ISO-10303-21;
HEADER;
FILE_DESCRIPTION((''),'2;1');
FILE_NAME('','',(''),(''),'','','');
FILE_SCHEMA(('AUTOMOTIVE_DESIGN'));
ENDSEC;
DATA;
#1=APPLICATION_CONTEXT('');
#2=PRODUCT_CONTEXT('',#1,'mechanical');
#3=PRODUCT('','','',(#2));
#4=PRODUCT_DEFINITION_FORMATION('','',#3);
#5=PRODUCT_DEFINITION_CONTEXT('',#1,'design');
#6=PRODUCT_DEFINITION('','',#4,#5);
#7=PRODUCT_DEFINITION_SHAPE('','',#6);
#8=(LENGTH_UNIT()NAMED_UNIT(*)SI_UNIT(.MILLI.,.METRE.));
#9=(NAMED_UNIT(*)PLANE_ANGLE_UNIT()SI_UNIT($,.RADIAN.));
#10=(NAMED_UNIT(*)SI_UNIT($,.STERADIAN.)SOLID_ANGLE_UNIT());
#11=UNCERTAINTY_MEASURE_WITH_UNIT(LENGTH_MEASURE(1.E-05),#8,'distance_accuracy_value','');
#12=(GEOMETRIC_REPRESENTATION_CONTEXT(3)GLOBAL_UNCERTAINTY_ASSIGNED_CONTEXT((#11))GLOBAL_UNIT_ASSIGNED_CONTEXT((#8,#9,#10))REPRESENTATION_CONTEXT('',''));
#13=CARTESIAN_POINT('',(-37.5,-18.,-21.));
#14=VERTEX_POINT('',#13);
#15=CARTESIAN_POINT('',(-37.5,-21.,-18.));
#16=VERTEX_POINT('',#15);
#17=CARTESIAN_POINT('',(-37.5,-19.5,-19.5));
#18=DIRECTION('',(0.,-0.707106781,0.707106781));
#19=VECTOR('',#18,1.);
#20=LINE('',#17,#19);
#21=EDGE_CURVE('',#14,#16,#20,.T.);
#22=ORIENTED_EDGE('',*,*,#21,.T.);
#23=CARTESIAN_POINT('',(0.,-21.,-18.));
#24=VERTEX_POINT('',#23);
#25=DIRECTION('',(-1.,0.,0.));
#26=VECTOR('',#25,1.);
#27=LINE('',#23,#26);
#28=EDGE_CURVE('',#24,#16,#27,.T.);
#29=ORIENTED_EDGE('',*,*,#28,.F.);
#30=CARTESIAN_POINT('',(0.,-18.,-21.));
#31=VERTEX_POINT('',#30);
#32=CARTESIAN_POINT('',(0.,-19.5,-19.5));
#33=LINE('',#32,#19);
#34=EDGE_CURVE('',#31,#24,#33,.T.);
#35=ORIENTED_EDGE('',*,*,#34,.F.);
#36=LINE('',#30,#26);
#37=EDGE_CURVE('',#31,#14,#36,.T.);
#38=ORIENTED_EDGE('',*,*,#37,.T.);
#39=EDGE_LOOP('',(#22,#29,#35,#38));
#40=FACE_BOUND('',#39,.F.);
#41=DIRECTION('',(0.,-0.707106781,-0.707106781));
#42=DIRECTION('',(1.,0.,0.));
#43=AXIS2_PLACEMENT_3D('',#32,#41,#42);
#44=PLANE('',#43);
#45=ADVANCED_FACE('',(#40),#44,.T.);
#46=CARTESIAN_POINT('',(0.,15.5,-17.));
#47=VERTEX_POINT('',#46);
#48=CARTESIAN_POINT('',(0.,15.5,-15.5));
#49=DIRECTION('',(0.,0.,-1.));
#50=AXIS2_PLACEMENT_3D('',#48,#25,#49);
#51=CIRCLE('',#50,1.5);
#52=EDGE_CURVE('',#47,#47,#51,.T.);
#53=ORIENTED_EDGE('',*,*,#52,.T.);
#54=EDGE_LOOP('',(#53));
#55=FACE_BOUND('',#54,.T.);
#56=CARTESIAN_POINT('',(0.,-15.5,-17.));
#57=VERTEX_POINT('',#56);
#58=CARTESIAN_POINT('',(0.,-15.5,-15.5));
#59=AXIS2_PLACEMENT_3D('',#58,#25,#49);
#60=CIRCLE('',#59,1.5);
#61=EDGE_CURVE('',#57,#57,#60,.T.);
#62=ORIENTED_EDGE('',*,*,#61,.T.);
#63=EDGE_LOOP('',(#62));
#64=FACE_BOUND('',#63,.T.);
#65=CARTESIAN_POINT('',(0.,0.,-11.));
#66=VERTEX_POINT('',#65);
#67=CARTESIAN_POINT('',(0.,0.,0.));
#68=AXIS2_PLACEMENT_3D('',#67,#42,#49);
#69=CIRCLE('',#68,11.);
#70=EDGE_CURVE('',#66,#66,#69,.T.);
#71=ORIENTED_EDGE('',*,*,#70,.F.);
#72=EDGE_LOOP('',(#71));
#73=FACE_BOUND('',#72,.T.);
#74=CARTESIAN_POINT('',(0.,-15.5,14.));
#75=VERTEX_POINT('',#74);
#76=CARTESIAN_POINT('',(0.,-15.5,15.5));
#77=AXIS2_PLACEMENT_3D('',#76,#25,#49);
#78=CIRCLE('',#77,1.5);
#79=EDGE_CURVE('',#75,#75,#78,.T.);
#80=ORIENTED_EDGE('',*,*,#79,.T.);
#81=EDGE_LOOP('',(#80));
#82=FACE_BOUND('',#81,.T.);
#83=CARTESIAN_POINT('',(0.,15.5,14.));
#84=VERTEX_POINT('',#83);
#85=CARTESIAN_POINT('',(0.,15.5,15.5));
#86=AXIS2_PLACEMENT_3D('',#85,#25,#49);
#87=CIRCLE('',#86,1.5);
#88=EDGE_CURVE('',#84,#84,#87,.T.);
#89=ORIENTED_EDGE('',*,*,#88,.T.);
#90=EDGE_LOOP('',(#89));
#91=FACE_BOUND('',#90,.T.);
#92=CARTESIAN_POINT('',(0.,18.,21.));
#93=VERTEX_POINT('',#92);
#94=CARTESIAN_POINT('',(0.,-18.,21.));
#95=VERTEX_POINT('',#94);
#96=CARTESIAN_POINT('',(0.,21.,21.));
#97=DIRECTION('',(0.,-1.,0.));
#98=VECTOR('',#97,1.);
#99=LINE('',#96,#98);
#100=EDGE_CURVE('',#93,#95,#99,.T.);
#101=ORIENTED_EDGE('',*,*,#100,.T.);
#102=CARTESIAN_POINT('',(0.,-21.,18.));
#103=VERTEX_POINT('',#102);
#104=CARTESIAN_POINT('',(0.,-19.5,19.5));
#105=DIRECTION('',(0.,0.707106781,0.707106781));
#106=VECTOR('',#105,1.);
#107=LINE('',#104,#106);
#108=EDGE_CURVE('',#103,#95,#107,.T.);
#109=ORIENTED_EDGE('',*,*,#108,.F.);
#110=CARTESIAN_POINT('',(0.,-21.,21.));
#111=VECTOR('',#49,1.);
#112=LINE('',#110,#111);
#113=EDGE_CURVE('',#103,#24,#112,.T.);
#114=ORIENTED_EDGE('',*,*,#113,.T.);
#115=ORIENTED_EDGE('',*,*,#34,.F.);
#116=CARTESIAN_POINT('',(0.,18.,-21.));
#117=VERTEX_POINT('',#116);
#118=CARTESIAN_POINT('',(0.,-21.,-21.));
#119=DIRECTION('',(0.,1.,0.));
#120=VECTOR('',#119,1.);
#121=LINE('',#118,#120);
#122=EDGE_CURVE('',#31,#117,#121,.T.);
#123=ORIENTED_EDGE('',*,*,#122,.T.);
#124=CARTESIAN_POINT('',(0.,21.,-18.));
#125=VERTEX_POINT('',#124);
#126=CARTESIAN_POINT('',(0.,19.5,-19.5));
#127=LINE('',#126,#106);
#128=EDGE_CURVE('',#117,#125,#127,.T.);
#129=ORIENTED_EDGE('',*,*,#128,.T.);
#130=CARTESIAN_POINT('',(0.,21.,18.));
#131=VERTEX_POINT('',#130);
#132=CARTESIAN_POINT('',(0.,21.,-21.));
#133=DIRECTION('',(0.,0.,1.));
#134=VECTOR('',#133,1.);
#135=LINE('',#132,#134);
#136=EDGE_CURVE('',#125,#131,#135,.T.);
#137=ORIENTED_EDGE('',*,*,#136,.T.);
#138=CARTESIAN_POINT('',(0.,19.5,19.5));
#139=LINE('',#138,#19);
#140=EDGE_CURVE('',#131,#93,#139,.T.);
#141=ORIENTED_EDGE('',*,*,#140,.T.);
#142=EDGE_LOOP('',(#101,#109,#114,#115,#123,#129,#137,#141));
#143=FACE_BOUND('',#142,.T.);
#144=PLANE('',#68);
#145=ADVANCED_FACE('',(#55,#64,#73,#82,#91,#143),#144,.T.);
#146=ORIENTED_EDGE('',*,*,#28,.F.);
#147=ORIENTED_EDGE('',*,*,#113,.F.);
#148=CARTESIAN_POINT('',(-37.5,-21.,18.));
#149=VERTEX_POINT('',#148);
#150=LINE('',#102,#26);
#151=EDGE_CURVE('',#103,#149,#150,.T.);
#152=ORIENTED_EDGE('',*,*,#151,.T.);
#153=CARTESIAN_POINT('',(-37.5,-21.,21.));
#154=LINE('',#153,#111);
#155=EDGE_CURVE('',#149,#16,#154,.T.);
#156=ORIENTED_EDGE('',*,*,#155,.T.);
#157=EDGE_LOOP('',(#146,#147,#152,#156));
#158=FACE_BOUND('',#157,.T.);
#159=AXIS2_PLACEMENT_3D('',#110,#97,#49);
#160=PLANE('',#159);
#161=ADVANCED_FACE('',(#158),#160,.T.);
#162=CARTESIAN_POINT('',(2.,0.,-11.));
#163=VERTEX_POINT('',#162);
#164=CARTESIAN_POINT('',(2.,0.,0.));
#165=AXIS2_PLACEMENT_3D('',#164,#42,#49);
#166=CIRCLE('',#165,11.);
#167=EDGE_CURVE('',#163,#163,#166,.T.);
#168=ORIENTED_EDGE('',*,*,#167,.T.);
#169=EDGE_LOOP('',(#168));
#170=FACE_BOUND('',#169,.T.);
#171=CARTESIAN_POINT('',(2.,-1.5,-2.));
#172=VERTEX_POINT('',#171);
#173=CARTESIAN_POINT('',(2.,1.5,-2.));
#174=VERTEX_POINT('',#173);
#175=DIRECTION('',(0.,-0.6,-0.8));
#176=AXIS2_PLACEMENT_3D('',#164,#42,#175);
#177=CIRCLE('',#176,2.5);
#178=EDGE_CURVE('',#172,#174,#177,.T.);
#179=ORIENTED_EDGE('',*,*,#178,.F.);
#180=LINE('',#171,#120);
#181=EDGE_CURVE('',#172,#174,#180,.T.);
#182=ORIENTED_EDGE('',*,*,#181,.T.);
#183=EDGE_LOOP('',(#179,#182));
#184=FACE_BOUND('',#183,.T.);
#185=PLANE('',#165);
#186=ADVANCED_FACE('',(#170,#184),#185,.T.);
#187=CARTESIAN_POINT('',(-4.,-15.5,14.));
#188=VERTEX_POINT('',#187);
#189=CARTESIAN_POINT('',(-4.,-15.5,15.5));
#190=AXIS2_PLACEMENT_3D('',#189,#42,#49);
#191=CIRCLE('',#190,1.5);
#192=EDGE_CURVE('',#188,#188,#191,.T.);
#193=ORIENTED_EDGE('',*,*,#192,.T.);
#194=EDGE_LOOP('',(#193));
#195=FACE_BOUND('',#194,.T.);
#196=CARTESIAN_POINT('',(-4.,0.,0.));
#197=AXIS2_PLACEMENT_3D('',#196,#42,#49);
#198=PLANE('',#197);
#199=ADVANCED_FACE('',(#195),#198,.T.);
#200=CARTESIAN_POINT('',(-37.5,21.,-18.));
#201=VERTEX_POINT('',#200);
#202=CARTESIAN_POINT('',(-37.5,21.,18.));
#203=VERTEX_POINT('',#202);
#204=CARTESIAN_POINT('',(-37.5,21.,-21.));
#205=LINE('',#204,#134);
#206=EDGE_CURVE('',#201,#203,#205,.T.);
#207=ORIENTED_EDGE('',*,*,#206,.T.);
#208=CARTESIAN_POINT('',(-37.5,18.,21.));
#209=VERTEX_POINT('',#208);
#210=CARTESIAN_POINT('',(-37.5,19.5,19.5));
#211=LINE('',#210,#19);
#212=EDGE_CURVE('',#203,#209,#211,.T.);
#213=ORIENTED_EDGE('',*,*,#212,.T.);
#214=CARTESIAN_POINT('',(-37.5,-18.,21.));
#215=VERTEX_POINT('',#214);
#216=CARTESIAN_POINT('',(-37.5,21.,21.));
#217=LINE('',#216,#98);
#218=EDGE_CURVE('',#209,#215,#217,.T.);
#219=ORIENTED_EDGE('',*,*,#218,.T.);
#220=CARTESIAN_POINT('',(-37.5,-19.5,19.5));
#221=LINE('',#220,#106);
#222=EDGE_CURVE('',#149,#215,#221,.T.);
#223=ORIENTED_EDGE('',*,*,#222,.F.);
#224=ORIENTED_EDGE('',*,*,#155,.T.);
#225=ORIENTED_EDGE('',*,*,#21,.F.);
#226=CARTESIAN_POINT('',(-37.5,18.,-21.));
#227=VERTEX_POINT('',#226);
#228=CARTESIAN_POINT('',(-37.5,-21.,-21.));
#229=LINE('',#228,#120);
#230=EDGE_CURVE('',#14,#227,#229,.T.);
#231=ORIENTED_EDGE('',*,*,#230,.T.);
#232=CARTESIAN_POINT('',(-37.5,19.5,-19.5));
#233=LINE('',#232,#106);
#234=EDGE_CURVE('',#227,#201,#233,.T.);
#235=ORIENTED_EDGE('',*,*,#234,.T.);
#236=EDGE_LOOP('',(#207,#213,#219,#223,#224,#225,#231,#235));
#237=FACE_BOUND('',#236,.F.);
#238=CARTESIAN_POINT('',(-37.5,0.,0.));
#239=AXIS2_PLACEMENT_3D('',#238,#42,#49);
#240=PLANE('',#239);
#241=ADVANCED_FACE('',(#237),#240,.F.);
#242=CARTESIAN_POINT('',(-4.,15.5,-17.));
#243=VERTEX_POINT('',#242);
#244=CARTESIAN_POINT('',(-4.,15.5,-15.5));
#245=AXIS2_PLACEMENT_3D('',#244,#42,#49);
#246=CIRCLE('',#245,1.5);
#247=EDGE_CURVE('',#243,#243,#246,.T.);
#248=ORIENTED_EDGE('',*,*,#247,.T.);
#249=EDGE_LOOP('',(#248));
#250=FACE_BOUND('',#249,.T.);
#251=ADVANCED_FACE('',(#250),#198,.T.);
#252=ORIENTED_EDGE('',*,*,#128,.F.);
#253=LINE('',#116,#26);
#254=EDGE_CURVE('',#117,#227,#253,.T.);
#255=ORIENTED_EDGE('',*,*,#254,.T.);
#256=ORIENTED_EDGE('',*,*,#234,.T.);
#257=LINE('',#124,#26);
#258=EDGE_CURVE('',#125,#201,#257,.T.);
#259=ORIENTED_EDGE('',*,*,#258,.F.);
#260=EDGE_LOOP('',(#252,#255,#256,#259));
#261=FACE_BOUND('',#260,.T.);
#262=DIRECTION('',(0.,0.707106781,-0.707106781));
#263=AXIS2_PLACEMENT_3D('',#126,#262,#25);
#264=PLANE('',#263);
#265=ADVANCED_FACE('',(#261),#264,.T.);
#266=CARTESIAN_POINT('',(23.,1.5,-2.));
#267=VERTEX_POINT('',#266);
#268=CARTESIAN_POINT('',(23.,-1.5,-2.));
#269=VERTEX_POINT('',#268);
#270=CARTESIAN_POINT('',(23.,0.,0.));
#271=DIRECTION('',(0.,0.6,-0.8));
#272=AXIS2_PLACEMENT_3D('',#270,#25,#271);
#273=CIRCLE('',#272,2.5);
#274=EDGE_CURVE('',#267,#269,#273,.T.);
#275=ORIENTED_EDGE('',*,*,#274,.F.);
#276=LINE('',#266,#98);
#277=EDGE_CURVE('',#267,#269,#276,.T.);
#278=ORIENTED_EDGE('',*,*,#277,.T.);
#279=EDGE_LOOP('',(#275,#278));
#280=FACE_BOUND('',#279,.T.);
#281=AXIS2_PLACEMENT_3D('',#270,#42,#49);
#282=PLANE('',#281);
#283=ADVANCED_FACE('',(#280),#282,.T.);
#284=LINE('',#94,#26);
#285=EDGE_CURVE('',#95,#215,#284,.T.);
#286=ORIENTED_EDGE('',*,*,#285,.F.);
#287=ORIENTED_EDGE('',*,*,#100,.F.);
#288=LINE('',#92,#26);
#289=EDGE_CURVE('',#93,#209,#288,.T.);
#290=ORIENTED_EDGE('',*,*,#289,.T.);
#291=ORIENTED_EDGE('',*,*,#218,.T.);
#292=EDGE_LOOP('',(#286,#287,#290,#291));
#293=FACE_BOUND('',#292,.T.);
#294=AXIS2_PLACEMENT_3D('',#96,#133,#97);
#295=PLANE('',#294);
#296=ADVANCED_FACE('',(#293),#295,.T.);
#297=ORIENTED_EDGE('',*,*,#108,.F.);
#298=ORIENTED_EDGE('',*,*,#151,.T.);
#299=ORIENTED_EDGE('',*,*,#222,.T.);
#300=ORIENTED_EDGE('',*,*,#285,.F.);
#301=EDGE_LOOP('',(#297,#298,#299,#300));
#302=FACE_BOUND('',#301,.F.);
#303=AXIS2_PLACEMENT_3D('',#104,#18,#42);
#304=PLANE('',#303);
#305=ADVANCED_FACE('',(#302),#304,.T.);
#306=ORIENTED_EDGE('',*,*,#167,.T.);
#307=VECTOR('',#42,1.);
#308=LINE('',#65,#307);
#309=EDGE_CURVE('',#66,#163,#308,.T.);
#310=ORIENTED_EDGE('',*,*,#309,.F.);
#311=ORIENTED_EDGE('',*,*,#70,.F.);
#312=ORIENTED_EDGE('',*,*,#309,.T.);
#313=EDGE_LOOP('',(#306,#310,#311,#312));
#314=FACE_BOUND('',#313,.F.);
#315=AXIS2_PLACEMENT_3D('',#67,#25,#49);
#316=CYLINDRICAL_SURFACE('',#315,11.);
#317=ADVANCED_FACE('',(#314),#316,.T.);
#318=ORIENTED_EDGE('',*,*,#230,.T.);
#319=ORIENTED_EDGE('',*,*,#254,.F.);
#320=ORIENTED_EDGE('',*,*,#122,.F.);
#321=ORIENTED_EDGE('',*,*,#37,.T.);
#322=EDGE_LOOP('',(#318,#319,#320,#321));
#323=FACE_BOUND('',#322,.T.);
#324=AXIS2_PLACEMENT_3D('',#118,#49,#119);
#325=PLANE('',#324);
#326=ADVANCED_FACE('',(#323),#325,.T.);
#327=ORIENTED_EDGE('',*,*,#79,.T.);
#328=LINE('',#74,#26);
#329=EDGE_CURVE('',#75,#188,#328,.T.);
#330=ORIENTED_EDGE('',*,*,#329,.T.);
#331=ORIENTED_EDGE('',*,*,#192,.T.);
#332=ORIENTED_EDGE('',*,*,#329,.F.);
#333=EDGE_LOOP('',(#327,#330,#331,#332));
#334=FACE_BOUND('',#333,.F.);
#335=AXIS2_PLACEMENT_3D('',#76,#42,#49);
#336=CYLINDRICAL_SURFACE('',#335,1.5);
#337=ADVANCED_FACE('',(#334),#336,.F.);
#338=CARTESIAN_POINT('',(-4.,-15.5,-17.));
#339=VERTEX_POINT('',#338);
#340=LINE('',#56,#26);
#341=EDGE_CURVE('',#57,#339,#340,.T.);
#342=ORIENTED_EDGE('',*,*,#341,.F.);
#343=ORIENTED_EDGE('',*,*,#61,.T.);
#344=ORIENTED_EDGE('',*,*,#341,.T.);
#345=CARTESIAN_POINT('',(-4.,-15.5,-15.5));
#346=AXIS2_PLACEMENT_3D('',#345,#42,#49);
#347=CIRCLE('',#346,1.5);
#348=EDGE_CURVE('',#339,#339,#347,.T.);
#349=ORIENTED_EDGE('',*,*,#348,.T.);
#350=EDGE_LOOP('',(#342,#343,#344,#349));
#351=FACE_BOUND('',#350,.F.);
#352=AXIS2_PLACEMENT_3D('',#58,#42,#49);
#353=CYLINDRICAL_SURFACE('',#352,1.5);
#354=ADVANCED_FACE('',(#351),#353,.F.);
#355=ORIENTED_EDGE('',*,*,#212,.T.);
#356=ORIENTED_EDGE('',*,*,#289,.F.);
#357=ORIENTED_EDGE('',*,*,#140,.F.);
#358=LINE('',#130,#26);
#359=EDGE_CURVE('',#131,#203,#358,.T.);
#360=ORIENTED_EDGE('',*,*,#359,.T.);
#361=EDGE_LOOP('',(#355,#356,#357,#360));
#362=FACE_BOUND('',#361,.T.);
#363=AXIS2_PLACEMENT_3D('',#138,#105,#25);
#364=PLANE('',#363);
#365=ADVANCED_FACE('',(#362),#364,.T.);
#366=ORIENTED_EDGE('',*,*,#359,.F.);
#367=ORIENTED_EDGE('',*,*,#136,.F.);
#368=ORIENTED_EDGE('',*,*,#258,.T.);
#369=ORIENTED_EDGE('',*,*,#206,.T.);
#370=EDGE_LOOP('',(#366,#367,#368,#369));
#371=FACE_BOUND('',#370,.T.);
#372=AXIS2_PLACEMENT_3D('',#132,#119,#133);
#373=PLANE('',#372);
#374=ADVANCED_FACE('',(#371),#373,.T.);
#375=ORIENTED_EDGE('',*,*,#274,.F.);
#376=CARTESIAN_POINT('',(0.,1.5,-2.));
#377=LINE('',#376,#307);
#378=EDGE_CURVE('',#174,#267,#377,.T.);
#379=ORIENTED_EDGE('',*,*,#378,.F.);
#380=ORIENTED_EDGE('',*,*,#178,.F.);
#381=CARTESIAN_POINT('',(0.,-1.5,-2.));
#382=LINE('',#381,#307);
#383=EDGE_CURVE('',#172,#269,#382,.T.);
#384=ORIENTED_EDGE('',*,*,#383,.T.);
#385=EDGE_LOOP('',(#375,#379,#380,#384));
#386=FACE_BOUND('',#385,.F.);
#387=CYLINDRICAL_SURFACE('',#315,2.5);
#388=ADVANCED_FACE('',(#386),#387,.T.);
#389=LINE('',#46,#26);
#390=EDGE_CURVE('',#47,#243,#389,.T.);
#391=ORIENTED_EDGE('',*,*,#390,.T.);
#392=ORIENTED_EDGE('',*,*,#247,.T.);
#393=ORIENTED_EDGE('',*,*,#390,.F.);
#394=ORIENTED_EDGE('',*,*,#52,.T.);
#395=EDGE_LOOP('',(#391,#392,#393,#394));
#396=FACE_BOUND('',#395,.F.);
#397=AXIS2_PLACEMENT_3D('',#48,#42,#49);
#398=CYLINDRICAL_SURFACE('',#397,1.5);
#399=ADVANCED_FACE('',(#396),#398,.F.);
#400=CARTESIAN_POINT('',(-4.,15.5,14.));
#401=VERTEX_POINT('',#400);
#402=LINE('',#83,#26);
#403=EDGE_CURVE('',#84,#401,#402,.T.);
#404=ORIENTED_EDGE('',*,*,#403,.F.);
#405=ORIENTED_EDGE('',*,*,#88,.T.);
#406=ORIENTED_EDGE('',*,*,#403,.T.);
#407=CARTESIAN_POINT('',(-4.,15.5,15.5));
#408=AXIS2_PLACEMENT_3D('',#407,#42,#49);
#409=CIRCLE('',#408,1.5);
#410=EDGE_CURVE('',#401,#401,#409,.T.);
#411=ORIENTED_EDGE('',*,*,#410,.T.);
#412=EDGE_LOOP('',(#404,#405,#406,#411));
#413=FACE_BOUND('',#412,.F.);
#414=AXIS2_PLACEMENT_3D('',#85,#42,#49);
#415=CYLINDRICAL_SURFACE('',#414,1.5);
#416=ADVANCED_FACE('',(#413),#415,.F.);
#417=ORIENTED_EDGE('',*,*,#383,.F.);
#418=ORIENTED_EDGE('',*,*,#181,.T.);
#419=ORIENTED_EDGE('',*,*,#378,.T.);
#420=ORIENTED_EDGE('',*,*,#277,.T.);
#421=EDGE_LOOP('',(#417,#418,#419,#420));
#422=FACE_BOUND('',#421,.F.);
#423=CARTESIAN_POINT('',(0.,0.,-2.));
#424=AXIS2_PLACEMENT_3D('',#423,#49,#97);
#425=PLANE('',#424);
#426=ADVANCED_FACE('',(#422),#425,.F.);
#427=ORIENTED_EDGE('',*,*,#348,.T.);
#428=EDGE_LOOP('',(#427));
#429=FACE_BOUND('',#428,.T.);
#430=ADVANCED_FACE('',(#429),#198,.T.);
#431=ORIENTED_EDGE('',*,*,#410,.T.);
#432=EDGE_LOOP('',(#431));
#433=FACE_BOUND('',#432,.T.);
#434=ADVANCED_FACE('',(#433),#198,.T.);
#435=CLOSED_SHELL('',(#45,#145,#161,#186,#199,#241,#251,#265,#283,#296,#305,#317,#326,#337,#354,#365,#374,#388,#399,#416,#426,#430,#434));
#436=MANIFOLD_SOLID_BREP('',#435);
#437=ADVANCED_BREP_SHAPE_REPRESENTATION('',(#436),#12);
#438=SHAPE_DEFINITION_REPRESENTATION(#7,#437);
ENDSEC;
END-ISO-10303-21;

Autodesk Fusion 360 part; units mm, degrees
sketch "Skizze1" plane through (0, 0, 0) normal (1, 0, 0) x (0, 0, -1)
  line L0 (21, 21) -> (-21, 21)
  line L1 (-21, 21) -> (-21, -21)
  line L2 (-21, -21) -> (21, -21)
  line L3 (21, -21) -> (21, 21)
  line L4 (21, 21) -> (-21, -21) construction
  line L5 (-21, 21) -> (21, -21) construction
  line L6 (15.5, -15.5) -> (-15.5, -15.5)
  line L7 (-15.5, -15.5) -> (-15.5, 15.5)
  line L8 (-15.5, 15.5) -> (15.5, 15.5)
  line L9 (15.5, 15.5) -> (15.5, -15.5)
  line L10 (15.5, -15.5) -> (-15.5, 15.5) construction
  line L11 (-15.5, -15.5) -> (15.5, 15.5) construction
  circle A0 centre (15.5, -15.5) radius 1.5
  circle A1 centre (-15.5, -15.5) radius 1.5
  circle A2 centre (-15.5, 15.5) radius 1.5
  circle A3 centre (15.5, 15.5) radius 1.5
  circle A4 centre (0, 0) radius 11
  circle A5 centre (0, 0) radius 2.5
  line L12 (0, 0) -> (2, 0)
  line L13 (2, 0) -> (2, 1.5)
  line L14 (2, 0) -> (2, -1.5)
  dimension "d1" = 42
  dimension "d2" = 42
  dimension "d5" = 31
  dimension "d6" = 31
  dimension "d7" = 3
  dimension "d8" = 3
  dimension "d9" = 3
  dimension "d10" = 3
  dimension "d13" = 22
  dimension "d16" = 5
  dimension "d20" = 2
extrude "Extrusion1" add sketch "Skizze1" against normal blind 37.5 contours L0 L1 L2 L3 | L6 L7 A1 | L6 L7 L8 L9 A0 A1 A2 A3 | L6 L7 A1 | L6 L9 A0 | L6 L9 A0 | L7 L8 A2 | L7 L8 A2 | L8 L9 A3 | L8 L9 A3 | A4 | A5 L13 L14 | A5 L13 L14
extrude "Extrusion2" cut sketch "Skizze1" against normal blind 4 contours L6 L7 A1 | L6 L7 A1 | L6 L9 A0 | L6 L9 A0 | L7 L8 A2 | L7 L8 A2 | L8 L9 A3 | L8 L9 A3
extrude "Extrusion3" add sketch "Skizze1" along normal blind 2 contours A4 | A5 L13 L14 | A5 L13 L14
extrude "Extrusion4" add sketch "Skizze1" along normal blind 23 contours A5 L13 L14 picked at (2.3264, 0.107)
chamfer "Fase1" distance 3 angle 45 4 edges at (-18.75, 21, 21) (-18.75, 21, -21) (-18.75, -21, -21) (-18.75, -21, 21)
